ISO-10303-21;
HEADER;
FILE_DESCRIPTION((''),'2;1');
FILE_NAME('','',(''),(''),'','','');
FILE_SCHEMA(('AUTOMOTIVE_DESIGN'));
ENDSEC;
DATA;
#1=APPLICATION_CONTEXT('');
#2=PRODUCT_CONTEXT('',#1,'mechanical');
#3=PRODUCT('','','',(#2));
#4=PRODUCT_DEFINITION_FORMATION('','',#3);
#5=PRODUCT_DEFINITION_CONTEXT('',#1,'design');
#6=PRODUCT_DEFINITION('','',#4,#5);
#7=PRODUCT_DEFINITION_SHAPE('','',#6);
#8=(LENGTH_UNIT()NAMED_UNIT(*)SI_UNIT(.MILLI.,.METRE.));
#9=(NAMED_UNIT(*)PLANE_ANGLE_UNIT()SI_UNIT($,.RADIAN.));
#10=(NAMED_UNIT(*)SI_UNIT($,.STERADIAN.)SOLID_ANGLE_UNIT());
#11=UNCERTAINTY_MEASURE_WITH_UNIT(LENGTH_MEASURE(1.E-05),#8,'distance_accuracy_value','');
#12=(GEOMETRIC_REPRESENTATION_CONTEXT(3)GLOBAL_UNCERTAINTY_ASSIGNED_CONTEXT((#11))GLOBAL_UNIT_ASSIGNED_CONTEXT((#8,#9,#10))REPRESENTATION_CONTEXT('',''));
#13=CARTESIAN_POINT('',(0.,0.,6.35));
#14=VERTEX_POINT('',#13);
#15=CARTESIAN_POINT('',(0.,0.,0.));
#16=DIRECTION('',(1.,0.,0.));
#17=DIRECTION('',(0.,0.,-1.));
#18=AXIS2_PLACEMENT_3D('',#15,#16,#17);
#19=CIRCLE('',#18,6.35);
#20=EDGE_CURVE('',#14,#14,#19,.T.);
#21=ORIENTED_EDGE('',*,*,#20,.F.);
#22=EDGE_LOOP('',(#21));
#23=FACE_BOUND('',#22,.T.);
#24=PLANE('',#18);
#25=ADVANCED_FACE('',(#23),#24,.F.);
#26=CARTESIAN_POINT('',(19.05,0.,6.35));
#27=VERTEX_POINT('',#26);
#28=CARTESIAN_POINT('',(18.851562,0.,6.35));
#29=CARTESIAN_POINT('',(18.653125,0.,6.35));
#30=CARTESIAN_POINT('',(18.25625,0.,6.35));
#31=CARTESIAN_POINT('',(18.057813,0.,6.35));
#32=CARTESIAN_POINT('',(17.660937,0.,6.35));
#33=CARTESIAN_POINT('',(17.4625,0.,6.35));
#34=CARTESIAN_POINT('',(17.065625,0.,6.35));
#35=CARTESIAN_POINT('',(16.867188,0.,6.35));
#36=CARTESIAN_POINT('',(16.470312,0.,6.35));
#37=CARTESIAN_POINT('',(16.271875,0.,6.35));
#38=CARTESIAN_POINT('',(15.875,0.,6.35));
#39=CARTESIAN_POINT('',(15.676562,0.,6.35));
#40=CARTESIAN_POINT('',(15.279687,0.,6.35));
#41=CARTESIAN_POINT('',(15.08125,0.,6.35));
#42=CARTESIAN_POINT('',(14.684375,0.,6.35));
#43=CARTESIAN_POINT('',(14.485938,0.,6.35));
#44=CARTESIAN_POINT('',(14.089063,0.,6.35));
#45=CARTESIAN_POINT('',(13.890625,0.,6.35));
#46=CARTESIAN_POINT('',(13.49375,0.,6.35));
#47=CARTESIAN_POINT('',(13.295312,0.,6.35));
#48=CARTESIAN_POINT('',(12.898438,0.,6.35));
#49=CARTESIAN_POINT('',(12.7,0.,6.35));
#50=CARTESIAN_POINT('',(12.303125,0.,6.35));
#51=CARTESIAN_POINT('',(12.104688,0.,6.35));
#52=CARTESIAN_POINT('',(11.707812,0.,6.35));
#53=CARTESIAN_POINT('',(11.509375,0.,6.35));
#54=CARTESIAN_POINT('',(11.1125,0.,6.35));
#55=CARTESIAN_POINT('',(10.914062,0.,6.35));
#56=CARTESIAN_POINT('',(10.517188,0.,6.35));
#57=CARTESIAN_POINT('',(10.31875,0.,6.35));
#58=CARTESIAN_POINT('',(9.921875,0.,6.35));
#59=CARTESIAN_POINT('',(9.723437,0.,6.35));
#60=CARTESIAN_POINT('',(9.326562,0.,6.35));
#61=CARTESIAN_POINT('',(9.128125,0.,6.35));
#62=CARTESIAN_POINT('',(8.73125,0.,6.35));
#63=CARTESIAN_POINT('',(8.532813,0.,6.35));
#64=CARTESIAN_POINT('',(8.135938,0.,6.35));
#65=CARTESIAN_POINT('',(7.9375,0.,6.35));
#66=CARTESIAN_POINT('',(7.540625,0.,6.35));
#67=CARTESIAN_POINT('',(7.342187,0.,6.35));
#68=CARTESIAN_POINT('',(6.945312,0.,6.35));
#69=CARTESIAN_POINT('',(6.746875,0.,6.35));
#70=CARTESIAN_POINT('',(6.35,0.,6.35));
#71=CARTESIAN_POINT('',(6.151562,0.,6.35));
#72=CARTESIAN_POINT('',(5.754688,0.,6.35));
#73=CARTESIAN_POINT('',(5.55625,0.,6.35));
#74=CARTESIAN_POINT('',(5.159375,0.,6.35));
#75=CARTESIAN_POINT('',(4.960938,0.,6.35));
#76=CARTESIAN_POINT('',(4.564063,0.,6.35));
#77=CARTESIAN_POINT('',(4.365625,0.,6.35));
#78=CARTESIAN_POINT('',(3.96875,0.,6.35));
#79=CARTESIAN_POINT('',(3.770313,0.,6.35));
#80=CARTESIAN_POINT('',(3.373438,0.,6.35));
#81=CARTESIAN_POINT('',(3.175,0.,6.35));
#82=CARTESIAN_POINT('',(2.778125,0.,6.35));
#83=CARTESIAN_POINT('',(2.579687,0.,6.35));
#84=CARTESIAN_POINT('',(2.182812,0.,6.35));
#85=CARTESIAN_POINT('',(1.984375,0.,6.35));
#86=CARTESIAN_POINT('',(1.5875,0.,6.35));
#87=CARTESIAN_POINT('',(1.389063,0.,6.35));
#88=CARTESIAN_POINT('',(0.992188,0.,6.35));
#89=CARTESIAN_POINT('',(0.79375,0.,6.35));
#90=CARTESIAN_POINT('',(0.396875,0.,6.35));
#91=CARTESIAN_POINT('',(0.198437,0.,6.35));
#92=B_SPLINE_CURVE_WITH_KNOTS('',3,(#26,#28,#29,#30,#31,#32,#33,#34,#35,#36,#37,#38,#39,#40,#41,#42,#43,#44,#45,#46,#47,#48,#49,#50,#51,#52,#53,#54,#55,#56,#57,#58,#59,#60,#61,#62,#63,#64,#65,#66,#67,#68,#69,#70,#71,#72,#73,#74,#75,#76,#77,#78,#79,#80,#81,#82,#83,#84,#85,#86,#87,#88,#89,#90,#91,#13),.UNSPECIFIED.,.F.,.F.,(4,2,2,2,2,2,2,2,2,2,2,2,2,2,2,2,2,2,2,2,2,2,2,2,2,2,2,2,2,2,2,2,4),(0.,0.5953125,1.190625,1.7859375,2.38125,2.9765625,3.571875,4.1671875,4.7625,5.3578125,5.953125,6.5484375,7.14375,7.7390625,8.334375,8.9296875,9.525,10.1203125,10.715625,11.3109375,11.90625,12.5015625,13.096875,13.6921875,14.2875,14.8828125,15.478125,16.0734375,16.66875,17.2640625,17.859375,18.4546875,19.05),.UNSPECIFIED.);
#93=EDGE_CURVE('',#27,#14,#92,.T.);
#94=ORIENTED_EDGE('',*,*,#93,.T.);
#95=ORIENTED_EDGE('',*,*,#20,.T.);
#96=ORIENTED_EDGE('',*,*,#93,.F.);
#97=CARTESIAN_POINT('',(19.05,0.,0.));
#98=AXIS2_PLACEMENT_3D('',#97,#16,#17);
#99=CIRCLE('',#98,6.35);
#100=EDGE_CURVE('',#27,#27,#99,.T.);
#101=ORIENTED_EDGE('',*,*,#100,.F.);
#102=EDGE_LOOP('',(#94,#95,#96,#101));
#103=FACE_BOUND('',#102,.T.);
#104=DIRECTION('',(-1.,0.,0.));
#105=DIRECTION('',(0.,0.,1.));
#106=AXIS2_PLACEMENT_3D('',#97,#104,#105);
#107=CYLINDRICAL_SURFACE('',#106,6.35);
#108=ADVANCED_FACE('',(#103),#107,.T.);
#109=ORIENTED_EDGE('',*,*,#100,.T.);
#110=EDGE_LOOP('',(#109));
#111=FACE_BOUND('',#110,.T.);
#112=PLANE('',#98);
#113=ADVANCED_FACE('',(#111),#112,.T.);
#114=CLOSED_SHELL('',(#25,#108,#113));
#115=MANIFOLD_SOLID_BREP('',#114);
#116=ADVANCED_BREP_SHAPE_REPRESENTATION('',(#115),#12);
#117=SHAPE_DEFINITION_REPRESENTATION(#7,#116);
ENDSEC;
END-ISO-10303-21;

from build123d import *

# Parameters (mm, degrees)
SKETCH1_R           = 6.35
BOSS_EXTRUDE1_DEPTH = 19.05


with BuildPart() as part:
    # Sketch1 → Boss-Extrude1 (new body)
    with BuildSketch(Plane(origin=(0, 0, 0), x_dir=(0, 0, -1), z_dir=(1, 0, 0))):
        Circle(SKETCH1_R)
    extrude(amount=BOSS_EXTRUDE1_DEPTH)


solid = part.part
